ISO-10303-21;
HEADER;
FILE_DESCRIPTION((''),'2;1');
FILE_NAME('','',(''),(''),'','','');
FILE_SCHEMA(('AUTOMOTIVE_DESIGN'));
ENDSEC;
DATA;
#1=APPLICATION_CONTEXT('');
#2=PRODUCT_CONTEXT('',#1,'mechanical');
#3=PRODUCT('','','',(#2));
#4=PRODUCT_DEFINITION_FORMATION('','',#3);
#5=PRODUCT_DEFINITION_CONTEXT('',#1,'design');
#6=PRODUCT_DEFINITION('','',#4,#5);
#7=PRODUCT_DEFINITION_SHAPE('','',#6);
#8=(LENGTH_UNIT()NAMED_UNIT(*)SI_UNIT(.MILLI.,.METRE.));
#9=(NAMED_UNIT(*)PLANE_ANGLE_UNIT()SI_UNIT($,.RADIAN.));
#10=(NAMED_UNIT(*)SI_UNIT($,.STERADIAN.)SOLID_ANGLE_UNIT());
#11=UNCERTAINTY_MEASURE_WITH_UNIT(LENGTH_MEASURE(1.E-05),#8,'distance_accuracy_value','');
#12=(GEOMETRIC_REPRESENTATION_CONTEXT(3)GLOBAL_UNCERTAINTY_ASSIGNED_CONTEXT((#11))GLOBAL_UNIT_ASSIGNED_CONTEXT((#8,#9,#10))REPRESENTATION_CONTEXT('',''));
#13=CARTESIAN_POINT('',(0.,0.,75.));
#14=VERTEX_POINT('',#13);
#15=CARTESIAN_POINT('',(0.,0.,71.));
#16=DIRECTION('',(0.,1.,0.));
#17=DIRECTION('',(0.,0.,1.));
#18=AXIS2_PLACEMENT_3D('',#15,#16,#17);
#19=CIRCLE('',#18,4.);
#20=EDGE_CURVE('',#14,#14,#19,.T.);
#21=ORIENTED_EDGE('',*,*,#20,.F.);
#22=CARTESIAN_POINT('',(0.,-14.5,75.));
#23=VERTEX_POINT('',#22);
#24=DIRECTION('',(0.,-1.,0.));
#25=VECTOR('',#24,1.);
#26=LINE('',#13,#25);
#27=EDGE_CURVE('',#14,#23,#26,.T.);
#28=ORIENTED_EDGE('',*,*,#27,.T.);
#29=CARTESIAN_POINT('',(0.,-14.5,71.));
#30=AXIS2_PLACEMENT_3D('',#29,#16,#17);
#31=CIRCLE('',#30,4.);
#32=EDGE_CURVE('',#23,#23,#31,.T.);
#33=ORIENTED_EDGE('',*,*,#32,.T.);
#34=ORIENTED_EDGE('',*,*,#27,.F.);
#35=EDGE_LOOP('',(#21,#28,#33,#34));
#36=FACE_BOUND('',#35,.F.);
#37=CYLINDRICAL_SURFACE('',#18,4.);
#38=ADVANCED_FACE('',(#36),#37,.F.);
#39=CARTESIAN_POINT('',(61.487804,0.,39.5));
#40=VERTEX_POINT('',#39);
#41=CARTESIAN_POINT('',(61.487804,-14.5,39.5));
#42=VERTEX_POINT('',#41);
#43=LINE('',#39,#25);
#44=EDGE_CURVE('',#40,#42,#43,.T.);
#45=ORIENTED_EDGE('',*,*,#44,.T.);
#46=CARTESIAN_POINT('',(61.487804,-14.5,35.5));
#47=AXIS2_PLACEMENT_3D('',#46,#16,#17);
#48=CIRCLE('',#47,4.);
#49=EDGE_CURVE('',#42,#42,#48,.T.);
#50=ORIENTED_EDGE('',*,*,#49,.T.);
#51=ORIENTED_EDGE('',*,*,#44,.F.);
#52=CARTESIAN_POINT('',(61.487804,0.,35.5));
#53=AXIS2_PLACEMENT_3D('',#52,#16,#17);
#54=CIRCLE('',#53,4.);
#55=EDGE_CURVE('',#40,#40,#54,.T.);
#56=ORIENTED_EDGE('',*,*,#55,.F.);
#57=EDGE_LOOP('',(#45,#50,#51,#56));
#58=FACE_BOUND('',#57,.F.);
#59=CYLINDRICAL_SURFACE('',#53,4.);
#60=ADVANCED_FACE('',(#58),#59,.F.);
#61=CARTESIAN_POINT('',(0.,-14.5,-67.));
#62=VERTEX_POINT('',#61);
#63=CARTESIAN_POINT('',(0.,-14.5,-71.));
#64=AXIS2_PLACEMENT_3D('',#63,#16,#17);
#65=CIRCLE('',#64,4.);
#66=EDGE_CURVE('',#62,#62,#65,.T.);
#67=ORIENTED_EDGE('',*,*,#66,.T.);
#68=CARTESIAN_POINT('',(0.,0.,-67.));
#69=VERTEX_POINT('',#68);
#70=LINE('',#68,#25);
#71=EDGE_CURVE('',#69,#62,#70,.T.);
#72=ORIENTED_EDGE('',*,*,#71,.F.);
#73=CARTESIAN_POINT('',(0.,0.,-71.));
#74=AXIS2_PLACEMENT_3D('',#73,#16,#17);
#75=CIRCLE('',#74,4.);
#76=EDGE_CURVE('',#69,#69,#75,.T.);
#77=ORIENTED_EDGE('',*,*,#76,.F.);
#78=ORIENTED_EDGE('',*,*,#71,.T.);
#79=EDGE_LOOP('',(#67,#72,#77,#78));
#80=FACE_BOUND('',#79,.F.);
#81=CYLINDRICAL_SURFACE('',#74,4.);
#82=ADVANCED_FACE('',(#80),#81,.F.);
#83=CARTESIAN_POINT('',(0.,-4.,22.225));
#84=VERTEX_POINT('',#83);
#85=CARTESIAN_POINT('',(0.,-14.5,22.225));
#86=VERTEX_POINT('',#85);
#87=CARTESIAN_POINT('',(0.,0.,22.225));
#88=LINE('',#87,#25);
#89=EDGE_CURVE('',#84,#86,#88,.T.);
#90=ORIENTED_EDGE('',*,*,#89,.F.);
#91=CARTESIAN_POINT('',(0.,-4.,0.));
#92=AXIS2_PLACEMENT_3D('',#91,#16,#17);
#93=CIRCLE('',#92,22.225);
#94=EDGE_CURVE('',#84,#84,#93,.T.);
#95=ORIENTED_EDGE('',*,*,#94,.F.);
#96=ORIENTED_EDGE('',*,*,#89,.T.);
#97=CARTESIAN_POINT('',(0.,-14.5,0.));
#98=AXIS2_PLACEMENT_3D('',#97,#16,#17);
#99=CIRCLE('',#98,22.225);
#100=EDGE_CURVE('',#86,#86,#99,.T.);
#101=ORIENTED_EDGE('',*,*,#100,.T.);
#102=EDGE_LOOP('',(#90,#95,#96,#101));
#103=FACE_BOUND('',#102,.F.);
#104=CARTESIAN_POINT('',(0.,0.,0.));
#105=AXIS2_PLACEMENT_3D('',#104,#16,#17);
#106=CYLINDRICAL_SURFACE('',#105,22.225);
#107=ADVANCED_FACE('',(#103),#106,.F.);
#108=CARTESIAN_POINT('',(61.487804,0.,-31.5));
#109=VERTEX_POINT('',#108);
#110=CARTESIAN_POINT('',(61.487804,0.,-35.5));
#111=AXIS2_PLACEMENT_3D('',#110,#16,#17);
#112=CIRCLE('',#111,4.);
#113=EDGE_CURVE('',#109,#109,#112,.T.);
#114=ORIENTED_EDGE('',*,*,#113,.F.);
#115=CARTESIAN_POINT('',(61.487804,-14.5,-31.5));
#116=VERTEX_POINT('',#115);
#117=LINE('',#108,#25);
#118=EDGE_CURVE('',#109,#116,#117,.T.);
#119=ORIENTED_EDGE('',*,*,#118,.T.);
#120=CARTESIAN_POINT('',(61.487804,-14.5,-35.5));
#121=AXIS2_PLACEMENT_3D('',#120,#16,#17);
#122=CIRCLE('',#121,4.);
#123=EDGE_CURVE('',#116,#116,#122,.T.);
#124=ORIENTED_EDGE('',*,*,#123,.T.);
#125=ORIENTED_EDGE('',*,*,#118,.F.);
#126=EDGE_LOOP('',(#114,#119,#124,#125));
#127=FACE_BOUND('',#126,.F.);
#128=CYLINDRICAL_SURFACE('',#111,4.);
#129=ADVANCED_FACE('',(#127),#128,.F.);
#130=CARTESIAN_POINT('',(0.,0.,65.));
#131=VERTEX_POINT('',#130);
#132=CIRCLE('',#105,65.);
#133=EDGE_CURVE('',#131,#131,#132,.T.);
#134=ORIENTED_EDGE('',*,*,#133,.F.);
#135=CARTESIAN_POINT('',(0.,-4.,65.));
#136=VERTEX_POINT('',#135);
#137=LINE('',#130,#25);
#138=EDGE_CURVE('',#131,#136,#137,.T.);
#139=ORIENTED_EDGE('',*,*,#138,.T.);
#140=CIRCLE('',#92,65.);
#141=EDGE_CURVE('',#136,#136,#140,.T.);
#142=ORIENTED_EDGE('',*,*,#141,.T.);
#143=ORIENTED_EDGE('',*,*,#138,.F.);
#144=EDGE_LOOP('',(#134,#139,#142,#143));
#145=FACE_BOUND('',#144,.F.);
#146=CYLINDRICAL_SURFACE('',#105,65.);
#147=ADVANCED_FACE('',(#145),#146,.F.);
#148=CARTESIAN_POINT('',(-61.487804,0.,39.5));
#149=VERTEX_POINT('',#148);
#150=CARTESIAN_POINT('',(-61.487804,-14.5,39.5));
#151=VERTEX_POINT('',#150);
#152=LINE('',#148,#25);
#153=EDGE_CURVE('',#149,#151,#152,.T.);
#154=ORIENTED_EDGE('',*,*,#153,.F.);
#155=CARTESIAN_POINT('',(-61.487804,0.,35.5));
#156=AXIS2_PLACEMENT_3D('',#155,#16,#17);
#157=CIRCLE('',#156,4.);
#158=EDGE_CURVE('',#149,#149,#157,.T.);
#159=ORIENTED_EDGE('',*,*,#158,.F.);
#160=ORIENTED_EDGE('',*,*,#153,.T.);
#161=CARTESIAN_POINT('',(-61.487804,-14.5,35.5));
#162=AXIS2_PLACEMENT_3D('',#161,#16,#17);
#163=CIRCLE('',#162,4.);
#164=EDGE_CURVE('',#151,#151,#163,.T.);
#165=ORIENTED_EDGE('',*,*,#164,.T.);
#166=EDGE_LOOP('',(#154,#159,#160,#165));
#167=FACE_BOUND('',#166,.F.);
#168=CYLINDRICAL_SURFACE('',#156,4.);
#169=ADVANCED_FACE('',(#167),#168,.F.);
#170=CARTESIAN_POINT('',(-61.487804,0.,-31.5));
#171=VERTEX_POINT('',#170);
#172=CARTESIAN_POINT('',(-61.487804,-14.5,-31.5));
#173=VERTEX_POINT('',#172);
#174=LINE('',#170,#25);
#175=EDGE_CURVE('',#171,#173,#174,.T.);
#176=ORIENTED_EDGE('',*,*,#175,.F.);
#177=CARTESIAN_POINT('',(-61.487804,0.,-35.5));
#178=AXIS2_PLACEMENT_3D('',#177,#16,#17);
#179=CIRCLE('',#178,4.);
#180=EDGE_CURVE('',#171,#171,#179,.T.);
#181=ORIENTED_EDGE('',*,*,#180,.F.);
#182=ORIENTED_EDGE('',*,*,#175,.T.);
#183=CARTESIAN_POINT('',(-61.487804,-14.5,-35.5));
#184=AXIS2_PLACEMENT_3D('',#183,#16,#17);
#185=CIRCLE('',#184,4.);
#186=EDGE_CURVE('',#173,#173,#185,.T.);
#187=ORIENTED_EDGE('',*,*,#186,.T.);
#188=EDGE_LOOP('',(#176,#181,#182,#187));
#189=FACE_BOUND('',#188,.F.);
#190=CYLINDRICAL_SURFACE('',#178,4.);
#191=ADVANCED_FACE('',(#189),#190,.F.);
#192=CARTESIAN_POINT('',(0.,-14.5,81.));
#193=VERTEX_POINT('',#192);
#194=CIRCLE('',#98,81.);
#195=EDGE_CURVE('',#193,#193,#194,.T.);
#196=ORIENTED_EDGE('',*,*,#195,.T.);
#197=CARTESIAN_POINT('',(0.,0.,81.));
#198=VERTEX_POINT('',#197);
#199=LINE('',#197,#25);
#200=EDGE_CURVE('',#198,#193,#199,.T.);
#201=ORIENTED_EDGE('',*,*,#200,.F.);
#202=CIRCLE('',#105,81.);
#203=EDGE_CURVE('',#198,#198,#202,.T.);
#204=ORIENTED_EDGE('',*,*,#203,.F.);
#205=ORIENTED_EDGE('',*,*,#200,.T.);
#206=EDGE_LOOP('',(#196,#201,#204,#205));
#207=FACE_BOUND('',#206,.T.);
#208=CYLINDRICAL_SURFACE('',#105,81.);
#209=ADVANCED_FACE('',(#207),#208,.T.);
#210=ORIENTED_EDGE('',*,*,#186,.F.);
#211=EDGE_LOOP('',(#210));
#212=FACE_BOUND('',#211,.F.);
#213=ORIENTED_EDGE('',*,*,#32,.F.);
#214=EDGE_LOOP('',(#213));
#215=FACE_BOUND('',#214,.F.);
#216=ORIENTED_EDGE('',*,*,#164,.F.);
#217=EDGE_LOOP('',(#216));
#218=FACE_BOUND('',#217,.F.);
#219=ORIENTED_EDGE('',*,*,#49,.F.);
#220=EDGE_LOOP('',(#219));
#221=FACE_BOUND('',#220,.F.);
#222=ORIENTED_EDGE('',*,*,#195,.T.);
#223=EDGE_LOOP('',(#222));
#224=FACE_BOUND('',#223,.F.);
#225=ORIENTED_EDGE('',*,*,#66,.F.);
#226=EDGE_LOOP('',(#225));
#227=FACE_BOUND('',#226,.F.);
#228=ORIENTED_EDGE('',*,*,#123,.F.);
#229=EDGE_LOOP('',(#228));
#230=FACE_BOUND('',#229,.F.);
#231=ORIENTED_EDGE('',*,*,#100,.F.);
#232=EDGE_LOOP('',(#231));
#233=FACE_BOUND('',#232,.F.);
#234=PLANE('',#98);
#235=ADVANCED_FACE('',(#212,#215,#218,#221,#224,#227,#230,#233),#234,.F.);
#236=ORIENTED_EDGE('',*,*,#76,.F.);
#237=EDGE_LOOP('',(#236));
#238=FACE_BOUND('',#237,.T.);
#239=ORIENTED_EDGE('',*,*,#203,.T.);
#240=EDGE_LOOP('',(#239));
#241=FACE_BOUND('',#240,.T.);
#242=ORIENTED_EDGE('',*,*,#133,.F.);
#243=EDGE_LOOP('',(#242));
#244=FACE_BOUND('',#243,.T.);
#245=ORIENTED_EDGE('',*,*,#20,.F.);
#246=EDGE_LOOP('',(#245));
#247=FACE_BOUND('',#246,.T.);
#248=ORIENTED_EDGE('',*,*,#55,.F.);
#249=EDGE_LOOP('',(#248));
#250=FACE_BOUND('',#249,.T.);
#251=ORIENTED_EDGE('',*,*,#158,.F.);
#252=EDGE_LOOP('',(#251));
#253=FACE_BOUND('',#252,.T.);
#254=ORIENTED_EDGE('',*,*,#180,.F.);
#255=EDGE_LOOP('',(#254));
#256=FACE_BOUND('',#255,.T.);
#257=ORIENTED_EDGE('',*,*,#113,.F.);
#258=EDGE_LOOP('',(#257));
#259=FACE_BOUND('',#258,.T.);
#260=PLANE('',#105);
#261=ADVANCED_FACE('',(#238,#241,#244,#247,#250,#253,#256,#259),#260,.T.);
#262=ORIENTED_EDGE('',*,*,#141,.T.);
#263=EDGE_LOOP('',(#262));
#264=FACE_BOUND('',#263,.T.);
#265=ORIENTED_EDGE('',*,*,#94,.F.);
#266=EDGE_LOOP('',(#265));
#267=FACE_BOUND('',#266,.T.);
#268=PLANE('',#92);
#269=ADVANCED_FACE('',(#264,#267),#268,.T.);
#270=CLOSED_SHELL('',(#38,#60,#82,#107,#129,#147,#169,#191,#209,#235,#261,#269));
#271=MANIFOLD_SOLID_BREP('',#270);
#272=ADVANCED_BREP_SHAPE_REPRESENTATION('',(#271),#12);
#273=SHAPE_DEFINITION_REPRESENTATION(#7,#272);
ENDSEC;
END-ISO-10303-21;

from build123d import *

# Parameters (mm, degrees)
SKETCH1_R           = 81
SKETCH1_R_2         = 22.225
SKETCH1_R_3         = 4
BOSS_EXTRUDE1_DEPTH = 14.5
SKETCH2_R           = 65
CUT_EXTRUDE1_DEPTH  = 4


with BuildPart() as part:
    # Sketch1 → Boss-Extrude1 (new body)
    with BuildSketch(Plane(origin=(0, 0, 0), x_dir=(1, 0, 0), z_dir=(0, 1, 0))):
        with Locations(Location((0, 0, 0), (0, 0, 270))):
            Circle(SKETCH1_R)
        with Locations(Location((0, 0, 0), (0, 0, 270))):
            Circle(SKETCH1_R_2, mode=Mode.SUBTRACT)
        with Locations(Location((0, 71, 0), (0, 0, 270))):
            Circle(SKETCH1_R_3, mode=Mode.SUBTRACT)
        with Locations(Location((61.487803669, 35.5, 0), (0, 0, 270))):
            Circle(SKETCH1_R_3, mode=Mode.SUBTRACT)
        with Locations(Location((61.487803669, -35.5, 0), (0, 0, 270))):
            Circle(SKETCH1_R_3, mode=Mode.SUBTRACT)
        with Locations(Location((0, -71, 0), (0, 0, 270))):
            Circle(SKETCH1_R_3, mode=Mode.SUBTRACT)
        with Locations(Location((-61.487803669, -35.5, 0), (0, 0, 270))):
            Circle(SKETCH1_R_3, mode=Mode.SUBTRACT)
        with Locations(Location((-61.487803669, 35.5, 0), (0, 0, 270))):
            Circle(SKETCH1_R_3, mode=Mode.SUBTRACT)
    extrude(amount=-BOSS_EXTRUDE1_DEPTH)

    # Sketch2 → Cut-Extrude1 (cut)
    with BuildSketch(Plane(origin=(0, 0, 0), x_dir=(1, 0, 0), z_dir=(0, 1, 0))):
        with Locations(Location((0, 0, 0), (0, 0, 270))):
            Circle(SKETCH2_R)
    extrude(amount=-CUT_EXTRUDE1_DEPTH, mode=Mode.SUBTRACT)


solid = part.part
